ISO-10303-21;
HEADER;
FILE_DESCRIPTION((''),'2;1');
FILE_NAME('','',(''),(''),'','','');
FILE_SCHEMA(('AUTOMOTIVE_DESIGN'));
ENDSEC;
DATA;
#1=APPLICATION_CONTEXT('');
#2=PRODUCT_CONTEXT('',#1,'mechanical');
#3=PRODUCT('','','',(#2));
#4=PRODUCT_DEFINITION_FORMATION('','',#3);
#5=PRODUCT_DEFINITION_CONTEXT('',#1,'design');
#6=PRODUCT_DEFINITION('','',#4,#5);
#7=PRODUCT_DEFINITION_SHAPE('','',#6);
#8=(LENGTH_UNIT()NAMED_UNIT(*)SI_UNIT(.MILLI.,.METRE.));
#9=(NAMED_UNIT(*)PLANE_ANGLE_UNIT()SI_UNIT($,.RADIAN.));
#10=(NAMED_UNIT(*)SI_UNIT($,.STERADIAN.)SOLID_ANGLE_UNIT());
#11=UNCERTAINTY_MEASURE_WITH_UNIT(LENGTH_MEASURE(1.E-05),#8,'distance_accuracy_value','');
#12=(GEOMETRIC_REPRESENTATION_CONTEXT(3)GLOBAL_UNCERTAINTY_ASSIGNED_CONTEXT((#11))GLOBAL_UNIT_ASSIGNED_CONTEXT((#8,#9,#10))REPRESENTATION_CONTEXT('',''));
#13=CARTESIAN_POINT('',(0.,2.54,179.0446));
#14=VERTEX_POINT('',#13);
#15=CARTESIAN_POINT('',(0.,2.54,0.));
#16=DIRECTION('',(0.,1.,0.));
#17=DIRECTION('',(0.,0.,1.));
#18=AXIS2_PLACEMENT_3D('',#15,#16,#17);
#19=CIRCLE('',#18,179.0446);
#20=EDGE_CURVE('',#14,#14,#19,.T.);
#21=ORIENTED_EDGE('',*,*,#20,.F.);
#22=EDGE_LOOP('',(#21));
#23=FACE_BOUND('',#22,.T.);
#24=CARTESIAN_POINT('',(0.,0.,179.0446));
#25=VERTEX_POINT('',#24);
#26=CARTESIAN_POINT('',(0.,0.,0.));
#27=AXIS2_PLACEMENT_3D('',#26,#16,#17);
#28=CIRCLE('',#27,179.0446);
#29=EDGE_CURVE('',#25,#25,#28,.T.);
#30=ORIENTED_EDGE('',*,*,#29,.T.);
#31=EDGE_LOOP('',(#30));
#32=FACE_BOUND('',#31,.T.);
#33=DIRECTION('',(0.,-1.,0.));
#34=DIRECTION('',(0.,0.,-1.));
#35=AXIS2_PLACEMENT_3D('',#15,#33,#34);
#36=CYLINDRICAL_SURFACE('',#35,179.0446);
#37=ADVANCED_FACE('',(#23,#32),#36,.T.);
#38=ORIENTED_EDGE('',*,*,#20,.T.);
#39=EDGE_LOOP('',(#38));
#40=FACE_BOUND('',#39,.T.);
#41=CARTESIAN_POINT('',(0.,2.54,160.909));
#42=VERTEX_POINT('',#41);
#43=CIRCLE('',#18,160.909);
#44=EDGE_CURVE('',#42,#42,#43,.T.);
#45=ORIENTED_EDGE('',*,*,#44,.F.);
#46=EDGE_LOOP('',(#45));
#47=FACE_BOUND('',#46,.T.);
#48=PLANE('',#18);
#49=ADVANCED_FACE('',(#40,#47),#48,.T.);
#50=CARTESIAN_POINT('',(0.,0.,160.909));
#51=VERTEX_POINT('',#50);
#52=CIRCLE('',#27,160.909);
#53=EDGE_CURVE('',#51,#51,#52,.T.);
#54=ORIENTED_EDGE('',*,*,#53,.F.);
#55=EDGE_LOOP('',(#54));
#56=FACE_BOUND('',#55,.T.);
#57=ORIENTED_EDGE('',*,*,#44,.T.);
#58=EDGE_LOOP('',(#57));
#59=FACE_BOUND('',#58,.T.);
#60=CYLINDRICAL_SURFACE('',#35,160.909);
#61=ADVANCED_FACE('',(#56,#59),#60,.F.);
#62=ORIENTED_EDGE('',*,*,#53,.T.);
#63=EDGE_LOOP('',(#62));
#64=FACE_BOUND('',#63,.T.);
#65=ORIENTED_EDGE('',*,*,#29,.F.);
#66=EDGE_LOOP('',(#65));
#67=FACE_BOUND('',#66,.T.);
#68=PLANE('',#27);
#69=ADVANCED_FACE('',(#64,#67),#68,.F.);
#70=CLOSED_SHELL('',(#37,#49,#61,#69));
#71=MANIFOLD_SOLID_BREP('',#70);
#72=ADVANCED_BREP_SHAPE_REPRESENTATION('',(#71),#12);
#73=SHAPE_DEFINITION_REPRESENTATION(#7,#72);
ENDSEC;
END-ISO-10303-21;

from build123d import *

# Parameters (mm, degrees)
SKETCH1_R           = 179.0446
SKETCH1_R_2         = 160.909
BOSS_EXTRUDE1_DEPTH = 2.54


with BuildPart() as part:
    # Sketch1 → Boss-Extrude1 (new body)
    with BuildSketch(Plane(origin=(0, 0, 0), x_dir=(1, 0, 0), z_dir=(0, 1, 0))):
        with Locations(Location((0, 0, 0), (0, 0, 270))):
            Circle(SKETCH1_R)
        with Locations(Location((0, 0, 0), (0, 0, 270))):
            Circle(SKETCH1_R_2, mode=Mode.SUBTRACT)
    extrude(amount=BOSS_EXTRUDE1_DEPTH)


solid = part.part
